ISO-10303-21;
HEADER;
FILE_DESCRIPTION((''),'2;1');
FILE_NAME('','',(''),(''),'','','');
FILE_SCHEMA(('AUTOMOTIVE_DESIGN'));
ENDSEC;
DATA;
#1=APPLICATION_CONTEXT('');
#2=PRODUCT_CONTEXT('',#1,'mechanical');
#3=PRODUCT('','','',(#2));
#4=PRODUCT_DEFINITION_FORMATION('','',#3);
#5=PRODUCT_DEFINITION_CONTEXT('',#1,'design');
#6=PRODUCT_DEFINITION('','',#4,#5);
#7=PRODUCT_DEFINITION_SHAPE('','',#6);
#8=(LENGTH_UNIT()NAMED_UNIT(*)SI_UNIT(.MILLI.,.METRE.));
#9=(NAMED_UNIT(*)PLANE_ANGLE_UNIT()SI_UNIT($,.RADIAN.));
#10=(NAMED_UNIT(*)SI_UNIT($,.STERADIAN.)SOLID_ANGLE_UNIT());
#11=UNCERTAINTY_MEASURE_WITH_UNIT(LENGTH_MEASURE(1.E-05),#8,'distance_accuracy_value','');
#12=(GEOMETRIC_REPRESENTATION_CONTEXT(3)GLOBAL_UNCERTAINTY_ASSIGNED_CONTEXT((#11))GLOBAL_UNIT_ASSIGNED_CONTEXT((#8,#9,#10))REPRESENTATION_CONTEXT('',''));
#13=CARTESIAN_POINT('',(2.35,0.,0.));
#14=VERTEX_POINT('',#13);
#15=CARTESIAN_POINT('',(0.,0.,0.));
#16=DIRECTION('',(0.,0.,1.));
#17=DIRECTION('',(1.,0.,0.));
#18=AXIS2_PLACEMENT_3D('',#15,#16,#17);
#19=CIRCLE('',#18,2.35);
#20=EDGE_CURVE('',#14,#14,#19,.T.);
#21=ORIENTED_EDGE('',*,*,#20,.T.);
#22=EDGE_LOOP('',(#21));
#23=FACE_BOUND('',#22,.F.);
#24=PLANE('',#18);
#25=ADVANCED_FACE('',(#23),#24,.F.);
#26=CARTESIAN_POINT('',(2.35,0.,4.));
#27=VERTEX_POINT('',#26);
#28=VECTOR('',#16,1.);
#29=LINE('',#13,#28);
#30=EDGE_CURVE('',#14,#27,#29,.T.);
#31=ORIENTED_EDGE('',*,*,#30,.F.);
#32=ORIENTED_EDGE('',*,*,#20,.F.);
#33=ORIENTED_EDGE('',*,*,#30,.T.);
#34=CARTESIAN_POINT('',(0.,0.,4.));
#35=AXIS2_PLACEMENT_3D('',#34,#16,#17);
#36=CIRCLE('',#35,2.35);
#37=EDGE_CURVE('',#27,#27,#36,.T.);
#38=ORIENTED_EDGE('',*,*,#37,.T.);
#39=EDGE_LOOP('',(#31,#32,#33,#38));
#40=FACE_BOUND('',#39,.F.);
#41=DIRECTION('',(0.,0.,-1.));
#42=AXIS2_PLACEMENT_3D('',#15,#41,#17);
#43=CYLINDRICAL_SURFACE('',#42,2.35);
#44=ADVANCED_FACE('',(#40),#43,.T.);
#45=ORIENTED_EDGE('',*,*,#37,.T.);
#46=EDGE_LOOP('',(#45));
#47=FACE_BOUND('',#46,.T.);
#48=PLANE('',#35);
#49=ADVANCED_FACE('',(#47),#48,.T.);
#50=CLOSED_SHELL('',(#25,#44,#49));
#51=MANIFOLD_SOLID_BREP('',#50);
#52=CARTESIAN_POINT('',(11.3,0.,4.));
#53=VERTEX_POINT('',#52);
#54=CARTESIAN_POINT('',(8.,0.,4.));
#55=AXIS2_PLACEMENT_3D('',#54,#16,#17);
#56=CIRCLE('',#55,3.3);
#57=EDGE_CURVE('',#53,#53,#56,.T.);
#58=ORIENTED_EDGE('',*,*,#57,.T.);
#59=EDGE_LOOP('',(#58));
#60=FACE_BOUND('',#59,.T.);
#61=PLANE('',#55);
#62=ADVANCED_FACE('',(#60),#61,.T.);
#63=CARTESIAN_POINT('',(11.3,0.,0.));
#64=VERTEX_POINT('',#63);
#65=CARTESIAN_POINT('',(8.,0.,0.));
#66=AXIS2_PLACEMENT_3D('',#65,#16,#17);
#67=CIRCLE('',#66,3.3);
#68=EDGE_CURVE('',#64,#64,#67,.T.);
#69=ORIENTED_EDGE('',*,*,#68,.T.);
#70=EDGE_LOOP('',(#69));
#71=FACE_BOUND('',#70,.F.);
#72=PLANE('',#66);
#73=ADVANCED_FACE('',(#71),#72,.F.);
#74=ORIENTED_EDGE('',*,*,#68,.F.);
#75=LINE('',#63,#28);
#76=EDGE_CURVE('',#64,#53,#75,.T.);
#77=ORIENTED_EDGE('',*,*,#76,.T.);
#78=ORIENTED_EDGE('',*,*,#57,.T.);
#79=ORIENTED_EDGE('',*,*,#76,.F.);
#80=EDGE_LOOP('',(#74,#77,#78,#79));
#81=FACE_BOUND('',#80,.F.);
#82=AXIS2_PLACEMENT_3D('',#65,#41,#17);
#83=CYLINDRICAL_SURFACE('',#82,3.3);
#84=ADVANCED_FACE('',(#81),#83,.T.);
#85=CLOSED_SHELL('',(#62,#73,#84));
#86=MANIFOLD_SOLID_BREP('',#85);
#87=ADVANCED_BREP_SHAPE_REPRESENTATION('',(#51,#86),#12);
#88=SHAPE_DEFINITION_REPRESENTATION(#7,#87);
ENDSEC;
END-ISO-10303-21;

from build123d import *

# Parameters (mm, degrees)
CYLINDER_R        = 2.35
CYLINDER_DEPTH    = 4
CYLINDER001_R     = 3.3
CYLINDER001_DEPTH = 4


with BuildPart() as m3:
    # Cylinder → Cylinder (new body)
    with BuildSketch(Plane.XY):
        Circle(CYLINDER_R)
    extrude(amount=CYLINDER_DEPTH)


with BuildPart() as m5:
    # Cylinder001 → Cylinder001 (new body)
    with BuildSketch(Plane(origin=(8, 0, 0), x_dir=(1, 0, 0), z_dir=(0, 0, 1))):
        Circle(CYLINDER001_R)
    extrude(amount=CYLINDER001_DEPTH)


solid = Compound([m3.part, m5.part])
